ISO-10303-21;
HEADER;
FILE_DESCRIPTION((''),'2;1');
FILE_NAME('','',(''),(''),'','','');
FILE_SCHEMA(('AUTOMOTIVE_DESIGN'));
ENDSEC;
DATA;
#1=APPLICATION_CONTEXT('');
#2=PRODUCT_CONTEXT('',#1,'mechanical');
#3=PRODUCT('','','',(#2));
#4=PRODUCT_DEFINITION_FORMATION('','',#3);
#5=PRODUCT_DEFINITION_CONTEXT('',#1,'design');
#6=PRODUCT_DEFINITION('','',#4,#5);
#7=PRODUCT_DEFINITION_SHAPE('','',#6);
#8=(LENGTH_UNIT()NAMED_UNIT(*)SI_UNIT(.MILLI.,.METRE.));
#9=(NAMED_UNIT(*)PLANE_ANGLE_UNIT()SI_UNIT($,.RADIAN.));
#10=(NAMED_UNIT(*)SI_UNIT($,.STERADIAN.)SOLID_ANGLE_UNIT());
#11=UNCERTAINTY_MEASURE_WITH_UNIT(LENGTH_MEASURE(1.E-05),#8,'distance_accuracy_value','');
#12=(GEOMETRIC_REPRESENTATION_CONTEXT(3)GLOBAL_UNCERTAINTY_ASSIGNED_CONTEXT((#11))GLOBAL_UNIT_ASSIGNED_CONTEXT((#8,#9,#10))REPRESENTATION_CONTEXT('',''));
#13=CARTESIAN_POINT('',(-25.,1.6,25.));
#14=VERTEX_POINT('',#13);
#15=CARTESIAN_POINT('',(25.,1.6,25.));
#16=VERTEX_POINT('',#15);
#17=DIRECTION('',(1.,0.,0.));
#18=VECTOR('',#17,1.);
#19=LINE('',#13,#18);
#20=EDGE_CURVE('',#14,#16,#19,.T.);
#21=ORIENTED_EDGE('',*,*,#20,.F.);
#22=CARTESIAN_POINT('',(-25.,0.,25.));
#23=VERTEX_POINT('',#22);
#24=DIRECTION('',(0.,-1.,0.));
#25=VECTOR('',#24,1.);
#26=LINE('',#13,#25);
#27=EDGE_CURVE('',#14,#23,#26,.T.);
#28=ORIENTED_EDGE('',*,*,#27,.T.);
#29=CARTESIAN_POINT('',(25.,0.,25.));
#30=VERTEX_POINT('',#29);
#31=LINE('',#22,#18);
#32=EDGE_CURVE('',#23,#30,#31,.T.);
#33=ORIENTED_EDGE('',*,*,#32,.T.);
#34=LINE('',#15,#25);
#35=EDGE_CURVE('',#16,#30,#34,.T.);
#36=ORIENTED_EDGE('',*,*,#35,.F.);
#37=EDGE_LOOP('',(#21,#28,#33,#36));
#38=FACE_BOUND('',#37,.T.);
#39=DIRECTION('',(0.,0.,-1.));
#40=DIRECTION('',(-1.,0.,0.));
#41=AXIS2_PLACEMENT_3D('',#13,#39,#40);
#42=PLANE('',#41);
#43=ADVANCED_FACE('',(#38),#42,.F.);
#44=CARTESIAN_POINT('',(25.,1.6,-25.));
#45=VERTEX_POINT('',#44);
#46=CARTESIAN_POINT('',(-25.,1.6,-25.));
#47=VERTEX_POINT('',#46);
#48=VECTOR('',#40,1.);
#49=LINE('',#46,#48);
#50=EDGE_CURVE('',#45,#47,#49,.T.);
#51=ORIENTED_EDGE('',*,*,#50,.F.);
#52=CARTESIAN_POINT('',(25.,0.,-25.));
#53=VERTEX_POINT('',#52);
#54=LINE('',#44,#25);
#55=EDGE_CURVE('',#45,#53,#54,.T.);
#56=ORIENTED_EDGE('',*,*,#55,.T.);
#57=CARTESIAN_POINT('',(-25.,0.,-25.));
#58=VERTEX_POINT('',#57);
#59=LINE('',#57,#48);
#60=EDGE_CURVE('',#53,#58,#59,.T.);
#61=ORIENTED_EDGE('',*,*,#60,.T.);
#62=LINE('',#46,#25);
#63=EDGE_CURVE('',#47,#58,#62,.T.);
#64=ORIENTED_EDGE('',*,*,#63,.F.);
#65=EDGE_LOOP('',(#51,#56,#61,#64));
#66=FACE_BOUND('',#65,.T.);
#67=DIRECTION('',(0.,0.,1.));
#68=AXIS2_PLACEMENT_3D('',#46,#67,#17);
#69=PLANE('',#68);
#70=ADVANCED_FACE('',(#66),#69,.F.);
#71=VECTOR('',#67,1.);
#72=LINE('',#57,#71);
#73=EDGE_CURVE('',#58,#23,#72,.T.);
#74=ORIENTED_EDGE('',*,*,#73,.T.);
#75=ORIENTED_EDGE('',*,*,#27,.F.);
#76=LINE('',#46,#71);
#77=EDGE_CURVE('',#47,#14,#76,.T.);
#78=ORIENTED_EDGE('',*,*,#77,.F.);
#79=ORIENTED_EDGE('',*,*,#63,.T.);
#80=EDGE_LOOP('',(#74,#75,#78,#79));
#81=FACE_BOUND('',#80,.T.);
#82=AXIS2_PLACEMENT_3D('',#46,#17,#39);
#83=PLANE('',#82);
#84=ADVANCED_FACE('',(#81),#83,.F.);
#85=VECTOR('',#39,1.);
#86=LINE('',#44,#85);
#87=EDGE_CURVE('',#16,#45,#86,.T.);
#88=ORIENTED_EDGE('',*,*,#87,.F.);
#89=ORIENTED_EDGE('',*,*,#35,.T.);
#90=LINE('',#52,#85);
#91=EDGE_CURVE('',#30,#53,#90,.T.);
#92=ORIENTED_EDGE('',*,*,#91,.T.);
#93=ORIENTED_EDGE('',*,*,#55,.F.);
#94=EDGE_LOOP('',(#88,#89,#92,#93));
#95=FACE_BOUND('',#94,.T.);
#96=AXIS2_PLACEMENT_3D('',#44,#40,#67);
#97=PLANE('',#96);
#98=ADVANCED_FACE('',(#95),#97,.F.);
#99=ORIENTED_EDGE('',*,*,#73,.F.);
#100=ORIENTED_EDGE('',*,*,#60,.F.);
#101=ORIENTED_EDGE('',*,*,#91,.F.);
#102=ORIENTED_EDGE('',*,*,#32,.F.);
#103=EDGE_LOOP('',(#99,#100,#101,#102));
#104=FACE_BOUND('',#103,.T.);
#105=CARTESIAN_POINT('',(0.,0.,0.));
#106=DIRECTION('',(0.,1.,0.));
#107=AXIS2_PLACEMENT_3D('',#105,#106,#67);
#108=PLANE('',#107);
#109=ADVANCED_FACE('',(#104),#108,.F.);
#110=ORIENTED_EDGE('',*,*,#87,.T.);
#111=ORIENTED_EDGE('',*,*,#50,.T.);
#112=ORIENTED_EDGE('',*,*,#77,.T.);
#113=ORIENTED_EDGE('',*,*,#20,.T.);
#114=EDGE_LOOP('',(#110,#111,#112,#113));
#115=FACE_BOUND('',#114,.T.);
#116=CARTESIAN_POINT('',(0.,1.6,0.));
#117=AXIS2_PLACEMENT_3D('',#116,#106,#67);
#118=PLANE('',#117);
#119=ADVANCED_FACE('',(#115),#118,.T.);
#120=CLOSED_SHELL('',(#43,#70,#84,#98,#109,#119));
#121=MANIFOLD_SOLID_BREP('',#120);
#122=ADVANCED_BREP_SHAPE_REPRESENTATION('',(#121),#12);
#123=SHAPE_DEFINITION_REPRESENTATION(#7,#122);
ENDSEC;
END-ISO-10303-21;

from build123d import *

# Parameters (mm, degrees)
SKETCH1_W           = 50
SKETCH1_H           = 50
BOSS_EXTRUDE1_DEPTH = 1.6


with BuildPart() as part:
    # Sketch1 → Boss-Extrude1 (new body)
    with BuildSketch(Plane(origin=(0, 0, 0), x_dir=(1, 0, 0), z_dir=(0, 1, 0))):
        Rectangle(SKETCH1_W, SKETCH1_H)
    extrude(amount=BOSS_EXTRUDE1_DEPTH)


solid = part.part
